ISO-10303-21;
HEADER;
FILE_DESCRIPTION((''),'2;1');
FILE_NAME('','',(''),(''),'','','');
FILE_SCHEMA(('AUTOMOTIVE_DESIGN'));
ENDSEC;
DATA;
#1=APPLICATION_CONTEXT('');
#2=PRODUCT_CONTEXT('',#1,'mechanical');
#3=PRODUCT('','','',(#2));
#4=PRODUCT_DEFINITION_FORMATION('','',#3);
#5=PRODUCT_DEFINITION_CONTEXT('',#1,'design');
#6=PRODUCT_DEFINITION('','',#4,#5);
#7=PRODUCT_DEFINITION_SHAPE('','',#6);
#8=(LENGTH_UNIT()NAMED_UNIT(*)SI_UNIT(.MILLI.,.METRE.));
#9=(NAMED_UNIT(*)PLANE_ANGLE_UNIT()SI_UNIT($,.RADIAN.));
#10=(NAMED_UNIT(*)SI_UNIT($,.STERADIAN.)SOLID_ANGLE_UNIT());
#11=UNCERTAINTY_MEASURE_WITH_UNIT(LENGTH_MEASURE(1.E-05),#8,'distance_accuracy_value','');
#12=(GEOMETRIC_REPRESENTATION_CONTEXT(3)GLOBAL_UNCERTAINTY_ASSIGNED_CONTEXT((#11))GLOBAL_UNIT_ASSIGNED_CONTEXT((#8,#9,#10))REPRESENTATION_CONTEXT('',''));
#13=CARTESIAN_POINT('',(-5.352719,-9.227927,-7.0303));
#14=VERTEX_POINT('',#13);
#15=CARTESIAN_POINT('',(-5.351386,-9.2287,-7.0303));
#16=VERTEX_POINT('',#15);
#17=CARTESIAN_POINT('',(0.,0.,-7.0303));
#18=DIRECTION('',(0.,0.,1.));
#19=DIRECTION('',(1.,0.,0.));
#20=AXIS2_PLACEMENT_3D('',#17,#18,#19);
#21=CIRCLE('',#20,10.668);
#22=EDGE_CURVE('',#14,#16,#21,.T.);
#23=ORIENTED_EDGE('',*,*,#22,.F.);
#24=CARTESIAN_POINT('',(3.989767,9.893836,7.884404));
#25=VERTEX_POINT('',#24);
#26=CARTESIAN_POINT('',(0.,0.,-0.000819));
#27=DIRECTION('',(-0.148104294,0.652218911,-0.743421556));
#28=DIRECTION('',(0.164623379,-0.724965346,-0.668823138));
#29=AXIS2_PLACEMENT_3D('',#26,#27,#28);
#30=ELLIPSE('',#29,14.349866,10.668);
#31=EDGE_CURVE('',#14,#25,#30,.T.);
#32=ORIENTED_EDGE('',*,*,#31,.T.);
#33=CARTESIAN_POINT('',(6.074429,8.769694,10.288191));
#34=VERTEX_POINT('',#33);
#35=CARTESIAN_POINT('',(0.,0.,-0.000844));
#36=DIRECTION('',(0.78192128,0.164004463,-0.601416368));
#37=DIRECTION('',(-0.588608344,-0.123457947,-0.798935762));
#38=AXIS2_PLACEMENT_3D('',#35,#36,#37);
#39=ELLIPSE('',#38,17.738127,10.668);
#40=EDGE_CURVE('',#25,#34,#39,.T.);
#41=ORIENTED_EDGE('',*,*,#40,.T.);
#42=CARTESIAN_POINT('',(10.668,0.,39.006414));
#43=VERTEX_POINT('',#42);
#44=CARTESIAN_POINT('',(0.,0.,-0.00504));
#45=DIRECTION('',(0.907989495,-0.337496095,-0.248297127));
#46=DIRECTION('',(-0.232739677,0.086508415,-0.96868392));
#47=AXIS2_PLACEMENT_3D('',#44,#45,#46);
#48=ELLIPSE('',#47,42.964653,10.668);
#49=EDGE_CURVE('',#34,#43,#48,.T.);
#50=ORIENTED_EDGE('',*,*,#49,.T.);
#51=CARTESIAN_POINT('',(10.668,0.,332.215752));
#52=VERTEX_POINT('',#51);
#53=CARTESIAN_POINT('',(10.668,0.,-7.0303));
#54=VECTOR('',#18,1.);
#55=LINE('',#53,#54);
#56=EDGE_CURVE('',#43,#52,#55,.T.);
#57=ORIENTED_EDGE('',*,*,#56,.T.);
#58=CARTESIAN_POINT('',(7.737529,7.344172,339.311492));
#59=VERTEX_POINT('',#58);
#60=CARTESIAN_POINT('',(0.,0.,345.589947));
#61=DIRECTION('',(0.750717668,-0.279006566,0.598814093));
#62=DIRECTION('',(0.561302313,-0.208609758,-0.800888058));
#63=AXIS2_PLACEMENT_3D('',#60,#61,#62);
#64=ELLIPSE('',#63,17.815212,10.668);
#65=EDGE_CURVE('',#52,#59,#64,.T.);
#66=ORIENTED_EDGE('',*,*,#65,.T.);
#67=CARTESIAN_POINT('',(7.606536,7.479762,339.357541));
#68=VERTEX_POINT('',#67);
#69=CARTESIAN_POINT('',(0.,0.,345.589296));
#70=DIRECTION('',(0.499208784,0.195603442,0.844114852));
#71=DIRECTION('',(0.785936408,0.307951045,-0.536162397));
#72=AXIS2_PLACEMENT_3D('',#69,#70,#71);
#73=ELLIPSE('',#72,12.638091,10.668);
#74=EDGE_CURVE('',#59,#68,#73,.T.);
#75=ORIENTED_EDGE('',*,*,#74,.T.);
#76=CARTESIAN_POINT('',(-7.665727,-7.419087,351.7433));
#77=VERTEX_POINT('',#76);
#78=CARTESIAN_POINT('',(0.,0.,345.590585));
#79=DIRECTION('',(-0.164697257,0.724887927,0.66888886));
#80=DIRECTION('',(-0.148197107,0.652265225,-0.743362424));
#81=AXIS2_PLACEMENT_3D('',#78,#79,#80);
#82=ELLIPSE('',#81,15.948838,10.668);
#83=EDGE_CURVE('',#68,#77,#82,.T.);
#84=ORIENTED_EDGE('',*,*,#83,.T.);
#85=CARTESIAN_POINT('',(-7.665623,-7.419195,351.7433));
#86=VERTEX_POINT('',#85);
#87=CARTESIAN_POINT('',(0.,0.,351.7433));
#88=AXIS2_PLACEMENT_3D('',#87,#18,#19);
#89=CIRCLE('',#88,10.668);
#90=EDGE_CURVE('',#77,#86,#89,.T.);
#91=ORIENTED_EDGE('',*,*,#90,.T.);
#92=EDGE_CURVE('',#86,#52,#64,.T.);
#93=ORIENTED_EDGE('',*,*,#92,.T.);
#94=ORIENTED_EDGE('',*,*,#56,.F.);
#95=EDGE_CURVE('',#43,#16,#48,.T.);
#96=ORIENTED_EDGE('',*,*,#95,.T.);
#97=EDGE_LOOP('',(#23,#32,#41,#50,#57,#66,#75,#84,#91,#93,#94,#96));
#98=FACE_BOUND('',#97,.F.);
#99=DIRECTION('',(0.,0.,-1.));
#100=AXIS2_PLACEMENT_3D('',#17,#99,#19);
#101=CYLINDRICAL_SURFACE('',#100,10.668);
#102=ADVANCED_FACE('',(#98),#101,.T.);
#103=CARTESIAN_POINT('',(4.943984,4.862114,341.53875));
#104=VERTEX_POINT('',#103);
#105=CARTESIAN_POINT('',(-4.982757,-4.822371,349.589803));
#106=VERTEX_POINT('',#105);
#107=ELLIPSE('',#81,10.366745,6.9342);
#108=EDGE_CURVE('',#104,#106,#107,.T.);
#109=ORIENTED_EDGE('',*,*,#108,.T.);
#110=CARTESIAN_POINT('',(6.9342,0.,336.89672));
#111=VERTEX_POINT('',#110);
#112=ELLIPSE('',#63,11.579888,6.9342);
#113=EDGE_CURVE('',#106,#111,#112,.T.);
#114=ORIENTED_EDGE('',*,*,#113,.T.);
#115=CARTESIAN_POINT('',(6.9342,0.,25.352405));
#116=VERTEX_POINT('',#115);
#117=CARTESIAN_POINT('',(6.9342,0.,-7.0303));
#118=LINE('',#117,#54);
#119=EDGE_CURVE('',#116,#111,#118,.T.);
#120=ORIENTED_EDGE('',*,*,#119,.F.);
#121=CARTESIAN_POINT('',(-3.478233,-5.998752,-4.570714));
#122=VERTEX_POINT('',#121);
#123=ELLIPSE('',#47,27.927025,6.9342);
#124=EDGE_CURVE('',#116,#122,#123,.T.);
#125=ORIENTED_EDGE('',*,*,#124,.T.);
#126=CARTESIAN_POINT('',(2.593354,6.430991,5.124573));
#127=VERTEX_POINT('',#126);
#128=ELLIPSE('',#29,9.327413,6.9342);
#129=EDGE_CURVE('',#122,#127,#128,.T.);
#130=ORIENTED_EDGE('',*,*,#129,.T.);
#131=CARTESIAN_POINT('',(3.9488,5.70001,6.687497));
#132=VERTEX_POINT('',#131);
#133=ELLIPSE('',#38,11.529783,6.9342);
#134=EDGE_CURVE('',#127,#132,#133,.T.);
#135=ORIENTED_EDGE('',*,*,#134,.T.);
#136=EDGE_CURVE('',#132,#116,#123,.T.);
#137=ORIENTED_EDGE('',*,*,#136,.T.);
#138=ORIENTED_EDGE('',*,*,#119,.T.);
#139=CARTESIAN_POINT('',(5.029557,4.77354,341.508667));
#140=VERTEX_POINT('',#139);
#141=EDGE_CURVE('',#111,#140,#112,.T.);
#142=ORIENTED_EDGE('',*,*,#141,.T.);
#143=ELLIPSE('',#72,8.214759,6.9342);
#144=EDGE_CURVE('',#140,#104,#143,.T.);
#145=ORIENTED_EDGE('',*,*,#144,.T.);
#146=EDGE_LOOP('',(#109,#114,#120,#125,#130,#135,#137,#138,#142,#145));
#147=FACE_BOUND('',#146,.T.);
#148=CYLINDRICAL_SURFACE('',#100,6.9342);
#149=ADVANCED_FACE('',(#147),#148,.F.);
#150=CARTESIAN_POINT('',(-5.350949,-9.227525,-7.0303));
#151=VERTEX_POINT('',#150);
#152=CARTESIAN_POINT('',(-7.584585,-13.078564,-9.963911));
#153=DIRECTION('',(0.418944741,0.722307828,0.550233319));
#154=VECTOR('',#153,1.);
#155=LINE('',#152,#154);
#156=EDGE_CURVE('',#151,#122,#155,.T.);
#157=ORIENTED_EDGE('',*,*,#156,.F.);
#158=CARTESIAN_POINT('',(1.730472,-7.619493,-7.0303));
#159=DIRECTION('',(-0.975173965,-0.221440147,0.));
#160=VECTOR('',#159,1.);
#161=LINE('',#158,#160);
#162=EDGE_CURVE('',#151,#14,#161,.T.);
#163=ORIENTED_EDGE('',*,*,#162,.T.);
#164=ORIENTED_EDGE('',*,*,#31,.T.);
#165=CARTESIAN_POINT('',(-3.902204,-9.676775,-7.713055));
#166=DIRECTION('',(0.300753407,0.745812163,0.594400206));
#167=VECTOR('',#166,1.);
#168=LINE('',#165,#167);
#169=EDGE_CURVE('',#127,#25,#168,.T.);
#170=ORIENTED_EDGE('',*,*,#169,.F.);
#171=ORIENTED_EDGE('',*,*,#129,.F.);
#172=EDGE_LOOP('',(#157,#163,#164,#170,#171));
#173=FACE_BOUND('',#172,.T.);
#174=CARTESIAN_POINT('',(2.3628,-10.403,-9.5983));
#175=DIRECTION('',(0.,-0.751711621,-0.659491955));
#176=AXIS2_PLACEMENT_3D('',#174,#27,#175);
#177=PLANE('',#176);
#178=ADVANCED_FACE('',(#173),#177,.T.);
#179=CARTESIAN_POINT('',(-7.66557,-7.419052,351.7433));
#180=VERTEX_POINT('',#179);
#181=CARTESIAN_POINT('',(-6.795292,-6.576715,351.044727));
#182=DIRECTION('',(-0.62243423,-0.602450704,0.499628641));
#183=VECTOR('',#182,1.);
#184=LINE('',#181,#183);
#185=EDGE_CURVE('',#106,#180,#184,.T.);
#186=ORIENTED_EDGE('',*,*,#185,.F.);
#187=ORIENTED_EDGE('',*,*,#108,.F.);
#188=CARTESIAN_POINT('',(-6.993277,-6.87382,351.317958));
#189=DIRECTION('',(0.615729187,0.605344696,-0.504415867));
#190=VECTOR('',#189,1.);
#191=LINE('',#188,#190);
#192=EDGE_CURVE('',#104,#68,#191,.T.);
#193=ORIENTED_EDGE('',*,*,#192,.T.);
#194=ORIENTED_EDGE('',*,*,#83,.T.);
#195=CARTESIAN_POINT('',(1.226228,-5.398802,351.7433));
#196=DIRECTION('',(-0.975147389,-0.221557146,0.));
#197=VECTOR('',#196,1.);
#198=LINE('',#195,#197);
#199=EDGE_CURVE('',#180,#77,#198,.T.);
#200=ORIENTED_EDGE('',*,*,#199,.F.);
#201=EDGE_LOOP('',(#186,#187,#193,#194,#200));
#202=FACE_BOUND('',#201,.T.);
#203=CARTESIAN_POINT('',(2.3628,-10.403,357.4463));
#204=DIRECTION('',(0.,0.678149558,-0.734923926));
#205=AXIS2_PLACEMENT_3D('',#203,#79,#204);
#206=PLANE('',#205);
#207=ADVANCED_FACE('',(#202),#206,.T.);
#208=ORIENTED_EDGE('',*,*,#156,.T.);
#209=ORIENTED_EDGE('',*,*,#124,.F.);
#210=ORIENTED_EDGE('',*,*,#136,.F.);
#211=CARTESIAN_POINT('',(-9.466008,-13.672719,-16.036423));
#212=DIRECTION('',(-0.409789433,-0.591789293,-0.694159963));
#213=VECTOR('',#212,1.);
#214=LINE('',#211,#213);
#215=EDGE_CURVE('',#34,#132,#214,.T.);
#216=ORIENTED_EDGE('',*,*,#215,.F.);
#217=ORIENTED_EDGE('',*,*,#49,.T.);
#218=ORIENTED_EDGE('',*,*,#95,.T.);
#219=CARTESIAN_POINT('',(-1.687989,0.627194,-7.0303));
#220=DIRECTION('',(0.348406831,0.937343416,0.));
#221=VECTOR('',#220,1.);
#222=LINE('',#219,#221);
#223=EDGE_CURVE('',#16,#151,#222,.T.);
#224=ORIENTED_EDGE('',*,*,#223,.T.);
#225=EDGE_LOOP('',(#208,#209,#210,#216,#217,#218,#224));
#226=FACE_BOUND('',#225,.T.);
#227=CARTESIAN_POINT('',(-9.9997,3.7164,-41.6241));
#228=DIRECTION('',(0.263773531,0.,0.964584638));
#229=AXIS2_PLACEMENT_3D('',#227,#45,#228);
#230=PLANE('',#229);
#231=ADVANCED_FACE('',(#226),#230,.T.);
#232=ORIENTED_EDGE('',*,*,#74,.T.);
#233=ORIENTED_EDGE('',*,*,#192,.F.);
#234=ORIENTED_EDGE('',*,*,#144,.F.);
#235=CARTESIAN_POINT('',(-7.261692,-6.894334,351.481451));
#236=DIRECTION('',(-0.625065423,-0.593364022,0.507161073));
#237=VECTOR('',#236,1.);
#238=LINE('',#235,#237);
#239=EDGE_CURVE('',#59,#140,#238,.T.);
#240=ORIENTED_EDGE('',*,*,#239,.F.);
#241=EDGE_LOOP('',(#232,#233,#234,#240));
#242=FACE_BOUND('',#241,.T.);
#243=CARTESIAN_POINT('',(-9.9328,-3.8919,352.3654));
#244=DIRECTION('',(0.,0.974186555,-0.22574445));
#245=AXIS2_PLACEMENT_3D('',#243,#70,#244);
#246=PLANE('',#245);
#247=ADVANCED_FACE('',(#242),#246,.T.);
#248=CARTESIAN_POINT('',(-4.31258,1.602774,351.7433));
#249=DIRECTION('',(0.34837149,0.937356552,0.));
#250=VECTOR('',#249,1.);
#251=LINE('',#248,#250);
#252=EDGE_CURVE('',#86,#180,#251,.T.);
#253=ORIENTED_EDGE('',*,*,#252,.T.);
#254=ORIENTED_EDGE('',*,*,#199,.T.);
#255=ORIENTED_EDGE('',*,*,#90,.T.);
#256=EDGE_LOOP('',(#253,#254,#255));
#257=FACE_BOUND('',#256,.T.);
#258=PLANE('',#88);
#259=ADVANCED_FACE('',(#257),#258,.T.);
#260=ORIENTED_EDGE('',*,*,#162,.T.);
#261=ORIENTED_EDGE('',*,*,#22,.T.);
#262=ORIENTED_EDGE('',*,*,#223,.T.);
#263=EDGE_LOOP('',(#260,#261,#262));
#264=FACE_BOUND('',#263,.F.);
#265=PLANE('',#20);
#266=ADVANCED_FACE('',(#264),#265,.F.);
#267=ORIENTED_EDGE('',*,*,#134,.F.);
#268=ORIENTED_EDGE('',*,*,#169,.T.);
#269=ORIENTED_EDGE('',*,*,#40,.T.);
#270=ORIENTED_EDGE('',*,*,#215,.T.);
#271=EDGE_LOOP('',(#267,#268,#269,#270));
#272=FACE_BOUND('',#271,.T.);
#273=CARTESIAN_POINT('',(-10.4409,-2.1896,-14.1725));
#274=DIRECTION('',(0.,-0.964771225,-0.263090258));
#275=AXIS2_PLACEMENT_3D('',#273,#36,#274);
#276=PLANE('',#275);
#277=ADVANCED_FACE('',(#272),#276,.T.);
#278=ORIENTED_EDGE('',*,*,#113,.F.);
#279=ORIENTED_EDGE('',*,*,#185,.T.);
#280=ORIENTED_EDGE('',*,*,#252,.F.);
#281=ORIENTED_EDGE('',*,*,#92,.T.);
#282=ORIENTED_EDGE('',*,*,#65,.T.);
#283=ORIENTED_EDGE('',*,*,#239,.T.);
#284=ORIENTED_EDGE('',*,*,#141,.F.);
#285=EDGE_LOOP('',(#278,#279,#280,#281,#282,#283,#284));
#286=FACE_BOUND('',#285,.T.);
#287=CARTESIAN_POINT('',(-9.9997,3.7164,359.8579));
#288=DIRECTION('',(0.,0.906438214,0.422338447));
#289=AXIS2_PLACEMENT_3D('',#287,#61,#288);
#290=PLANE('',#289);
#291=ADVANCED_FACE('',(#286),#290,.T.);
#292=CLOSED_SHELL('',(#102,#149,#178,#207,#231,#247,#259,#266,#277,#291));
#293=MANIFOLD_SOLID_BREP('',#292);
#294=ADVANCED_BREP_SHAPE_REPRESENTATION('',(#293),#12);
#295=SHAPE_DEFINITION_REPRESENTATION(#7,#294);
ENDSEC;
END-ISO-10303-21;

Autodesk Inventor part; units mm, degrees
ref_plane "Start Plane" through (0, 0, -7.0303) normal (0, 0, 1) x (1, 0, 0)
ref_plane "End Plane" through (0, 0, 351.7433) normal (0, 0, 1) x (1, 0, 0)
sketch "Sketch" plane through (0, 0, 0) normal (0, 0, 1) x (1, 0, 0)
  circle A0 centre (0, 0) radius 6.9342
  circle A1 centre (0, 0) radius 10.668
  dimension "d0" = 21.336
  dimension "d1" = 3.7338
extrude "Body" add sketch "Sketch" along normal up to surface (358.7736 mm away) from surface at -7.0303
sketch "Sketch3" plane through (0, 0, 0) normal (0, 0, 1) x (1, 0, 0)
  line L0 (0, 0) -> (10, 0)
ref_plane "Work Plane3" through (0, 0, 0) normal (0, -1, 0) x (1, 0, 0)
sketch "Sketch4" plane through (0, 0, 0) normal (0, -1, 0) x (1, 0, 0)
  line L0 (-2, -7.0303) -> (12, -7.0303)
  line L1 (-2, 351.7433) -> (12, 351.7433)
  dimension "d7" = 358.7736
ref_plane "Work Plane4" through (-10.4409, -2.1896, -14.1725) normal (0.7819, 0.164, -0.6014) x (-0.5339, -0.3217, -0.7819)
split "Split1" plane through (-10.4409, -2.1896, -14.1725) removes the side toward (0.7819, 0.164, -0.6014)
ref_plane "Work Plane5" through (-9.9997, 3.7164, -41.6241) normal (0.908, -0.3375, -0.2483) x (-0.0968, 0.4076, -0.908)
split "Split2" plane through (-9.9997, 3.7164, -41.6241) removes the side toward (0.908, -0.3375, -0.2483)
ref_plane "Work Plane6" through (2.3628, -10.403, -9.5983) normal (-0.1481, 0.6522, -0.7434) x (0.9145, 0.3765, 0.1481)
split "Split3" plane through (2.3628, -10.403, -9.5983) removes the side toward (-0.1481, 0.6522, -0.7434)
ref_plane "Work Plane7" through (-9.9997, 3.7164, 359.8579) normal (0.7507, -0.279, 0.5988) x (0.6475, 0.131, -0.7507)
split "Split4" plane through (-9.9997, 3.7164, 359.8579) removes the side toward (0.7507, -0.279, 0.5988)
ref_plane "Work Plane8" through (2.3628, -10.403, 357.4463) normal (-0.1647, 0.7249, 0.6689) x (0.9838, 0.0715, 0.1647)
split "Split5" plane through (2.3628, -10.403, 357.4463) removes the side toward (-0.1647, 0.7249, 0.6689)
ref_plane "Work Plane9" through (-9.9328, -3.8919, 352.3654) normal (0.4992, 0.1956, 0.8441) x (0.8649, -0.0529, -0.4992)
split "Split6" plane through (-9.9328, -3.8919, 352.3654) removes the side toward (0.4992, 0.1956, 0.8441)
equation "\"d0\" = G_H"
equation "\"d1\" = G_T"
equation "\"d2\" = G_L"
equation "\"G_H\" = 21.336"
equation "\"G_T\" = 3.7338"
equation "\"G_L\" = 358.77357"
equation "\"G_OFFSET_START\" = 7.03027"
equation "\"G_OFFSET_END\" = 6.15394"
equation "\"d4\" = -G_OFFSET_START"
equation "\"d5\" = G_OFFSET_END + B_L"
equation "\"B_L\" = 345.58937"
properties part number "ANSI - 1/2 x 0.147 - 14.125" material "Steel, Mild"
